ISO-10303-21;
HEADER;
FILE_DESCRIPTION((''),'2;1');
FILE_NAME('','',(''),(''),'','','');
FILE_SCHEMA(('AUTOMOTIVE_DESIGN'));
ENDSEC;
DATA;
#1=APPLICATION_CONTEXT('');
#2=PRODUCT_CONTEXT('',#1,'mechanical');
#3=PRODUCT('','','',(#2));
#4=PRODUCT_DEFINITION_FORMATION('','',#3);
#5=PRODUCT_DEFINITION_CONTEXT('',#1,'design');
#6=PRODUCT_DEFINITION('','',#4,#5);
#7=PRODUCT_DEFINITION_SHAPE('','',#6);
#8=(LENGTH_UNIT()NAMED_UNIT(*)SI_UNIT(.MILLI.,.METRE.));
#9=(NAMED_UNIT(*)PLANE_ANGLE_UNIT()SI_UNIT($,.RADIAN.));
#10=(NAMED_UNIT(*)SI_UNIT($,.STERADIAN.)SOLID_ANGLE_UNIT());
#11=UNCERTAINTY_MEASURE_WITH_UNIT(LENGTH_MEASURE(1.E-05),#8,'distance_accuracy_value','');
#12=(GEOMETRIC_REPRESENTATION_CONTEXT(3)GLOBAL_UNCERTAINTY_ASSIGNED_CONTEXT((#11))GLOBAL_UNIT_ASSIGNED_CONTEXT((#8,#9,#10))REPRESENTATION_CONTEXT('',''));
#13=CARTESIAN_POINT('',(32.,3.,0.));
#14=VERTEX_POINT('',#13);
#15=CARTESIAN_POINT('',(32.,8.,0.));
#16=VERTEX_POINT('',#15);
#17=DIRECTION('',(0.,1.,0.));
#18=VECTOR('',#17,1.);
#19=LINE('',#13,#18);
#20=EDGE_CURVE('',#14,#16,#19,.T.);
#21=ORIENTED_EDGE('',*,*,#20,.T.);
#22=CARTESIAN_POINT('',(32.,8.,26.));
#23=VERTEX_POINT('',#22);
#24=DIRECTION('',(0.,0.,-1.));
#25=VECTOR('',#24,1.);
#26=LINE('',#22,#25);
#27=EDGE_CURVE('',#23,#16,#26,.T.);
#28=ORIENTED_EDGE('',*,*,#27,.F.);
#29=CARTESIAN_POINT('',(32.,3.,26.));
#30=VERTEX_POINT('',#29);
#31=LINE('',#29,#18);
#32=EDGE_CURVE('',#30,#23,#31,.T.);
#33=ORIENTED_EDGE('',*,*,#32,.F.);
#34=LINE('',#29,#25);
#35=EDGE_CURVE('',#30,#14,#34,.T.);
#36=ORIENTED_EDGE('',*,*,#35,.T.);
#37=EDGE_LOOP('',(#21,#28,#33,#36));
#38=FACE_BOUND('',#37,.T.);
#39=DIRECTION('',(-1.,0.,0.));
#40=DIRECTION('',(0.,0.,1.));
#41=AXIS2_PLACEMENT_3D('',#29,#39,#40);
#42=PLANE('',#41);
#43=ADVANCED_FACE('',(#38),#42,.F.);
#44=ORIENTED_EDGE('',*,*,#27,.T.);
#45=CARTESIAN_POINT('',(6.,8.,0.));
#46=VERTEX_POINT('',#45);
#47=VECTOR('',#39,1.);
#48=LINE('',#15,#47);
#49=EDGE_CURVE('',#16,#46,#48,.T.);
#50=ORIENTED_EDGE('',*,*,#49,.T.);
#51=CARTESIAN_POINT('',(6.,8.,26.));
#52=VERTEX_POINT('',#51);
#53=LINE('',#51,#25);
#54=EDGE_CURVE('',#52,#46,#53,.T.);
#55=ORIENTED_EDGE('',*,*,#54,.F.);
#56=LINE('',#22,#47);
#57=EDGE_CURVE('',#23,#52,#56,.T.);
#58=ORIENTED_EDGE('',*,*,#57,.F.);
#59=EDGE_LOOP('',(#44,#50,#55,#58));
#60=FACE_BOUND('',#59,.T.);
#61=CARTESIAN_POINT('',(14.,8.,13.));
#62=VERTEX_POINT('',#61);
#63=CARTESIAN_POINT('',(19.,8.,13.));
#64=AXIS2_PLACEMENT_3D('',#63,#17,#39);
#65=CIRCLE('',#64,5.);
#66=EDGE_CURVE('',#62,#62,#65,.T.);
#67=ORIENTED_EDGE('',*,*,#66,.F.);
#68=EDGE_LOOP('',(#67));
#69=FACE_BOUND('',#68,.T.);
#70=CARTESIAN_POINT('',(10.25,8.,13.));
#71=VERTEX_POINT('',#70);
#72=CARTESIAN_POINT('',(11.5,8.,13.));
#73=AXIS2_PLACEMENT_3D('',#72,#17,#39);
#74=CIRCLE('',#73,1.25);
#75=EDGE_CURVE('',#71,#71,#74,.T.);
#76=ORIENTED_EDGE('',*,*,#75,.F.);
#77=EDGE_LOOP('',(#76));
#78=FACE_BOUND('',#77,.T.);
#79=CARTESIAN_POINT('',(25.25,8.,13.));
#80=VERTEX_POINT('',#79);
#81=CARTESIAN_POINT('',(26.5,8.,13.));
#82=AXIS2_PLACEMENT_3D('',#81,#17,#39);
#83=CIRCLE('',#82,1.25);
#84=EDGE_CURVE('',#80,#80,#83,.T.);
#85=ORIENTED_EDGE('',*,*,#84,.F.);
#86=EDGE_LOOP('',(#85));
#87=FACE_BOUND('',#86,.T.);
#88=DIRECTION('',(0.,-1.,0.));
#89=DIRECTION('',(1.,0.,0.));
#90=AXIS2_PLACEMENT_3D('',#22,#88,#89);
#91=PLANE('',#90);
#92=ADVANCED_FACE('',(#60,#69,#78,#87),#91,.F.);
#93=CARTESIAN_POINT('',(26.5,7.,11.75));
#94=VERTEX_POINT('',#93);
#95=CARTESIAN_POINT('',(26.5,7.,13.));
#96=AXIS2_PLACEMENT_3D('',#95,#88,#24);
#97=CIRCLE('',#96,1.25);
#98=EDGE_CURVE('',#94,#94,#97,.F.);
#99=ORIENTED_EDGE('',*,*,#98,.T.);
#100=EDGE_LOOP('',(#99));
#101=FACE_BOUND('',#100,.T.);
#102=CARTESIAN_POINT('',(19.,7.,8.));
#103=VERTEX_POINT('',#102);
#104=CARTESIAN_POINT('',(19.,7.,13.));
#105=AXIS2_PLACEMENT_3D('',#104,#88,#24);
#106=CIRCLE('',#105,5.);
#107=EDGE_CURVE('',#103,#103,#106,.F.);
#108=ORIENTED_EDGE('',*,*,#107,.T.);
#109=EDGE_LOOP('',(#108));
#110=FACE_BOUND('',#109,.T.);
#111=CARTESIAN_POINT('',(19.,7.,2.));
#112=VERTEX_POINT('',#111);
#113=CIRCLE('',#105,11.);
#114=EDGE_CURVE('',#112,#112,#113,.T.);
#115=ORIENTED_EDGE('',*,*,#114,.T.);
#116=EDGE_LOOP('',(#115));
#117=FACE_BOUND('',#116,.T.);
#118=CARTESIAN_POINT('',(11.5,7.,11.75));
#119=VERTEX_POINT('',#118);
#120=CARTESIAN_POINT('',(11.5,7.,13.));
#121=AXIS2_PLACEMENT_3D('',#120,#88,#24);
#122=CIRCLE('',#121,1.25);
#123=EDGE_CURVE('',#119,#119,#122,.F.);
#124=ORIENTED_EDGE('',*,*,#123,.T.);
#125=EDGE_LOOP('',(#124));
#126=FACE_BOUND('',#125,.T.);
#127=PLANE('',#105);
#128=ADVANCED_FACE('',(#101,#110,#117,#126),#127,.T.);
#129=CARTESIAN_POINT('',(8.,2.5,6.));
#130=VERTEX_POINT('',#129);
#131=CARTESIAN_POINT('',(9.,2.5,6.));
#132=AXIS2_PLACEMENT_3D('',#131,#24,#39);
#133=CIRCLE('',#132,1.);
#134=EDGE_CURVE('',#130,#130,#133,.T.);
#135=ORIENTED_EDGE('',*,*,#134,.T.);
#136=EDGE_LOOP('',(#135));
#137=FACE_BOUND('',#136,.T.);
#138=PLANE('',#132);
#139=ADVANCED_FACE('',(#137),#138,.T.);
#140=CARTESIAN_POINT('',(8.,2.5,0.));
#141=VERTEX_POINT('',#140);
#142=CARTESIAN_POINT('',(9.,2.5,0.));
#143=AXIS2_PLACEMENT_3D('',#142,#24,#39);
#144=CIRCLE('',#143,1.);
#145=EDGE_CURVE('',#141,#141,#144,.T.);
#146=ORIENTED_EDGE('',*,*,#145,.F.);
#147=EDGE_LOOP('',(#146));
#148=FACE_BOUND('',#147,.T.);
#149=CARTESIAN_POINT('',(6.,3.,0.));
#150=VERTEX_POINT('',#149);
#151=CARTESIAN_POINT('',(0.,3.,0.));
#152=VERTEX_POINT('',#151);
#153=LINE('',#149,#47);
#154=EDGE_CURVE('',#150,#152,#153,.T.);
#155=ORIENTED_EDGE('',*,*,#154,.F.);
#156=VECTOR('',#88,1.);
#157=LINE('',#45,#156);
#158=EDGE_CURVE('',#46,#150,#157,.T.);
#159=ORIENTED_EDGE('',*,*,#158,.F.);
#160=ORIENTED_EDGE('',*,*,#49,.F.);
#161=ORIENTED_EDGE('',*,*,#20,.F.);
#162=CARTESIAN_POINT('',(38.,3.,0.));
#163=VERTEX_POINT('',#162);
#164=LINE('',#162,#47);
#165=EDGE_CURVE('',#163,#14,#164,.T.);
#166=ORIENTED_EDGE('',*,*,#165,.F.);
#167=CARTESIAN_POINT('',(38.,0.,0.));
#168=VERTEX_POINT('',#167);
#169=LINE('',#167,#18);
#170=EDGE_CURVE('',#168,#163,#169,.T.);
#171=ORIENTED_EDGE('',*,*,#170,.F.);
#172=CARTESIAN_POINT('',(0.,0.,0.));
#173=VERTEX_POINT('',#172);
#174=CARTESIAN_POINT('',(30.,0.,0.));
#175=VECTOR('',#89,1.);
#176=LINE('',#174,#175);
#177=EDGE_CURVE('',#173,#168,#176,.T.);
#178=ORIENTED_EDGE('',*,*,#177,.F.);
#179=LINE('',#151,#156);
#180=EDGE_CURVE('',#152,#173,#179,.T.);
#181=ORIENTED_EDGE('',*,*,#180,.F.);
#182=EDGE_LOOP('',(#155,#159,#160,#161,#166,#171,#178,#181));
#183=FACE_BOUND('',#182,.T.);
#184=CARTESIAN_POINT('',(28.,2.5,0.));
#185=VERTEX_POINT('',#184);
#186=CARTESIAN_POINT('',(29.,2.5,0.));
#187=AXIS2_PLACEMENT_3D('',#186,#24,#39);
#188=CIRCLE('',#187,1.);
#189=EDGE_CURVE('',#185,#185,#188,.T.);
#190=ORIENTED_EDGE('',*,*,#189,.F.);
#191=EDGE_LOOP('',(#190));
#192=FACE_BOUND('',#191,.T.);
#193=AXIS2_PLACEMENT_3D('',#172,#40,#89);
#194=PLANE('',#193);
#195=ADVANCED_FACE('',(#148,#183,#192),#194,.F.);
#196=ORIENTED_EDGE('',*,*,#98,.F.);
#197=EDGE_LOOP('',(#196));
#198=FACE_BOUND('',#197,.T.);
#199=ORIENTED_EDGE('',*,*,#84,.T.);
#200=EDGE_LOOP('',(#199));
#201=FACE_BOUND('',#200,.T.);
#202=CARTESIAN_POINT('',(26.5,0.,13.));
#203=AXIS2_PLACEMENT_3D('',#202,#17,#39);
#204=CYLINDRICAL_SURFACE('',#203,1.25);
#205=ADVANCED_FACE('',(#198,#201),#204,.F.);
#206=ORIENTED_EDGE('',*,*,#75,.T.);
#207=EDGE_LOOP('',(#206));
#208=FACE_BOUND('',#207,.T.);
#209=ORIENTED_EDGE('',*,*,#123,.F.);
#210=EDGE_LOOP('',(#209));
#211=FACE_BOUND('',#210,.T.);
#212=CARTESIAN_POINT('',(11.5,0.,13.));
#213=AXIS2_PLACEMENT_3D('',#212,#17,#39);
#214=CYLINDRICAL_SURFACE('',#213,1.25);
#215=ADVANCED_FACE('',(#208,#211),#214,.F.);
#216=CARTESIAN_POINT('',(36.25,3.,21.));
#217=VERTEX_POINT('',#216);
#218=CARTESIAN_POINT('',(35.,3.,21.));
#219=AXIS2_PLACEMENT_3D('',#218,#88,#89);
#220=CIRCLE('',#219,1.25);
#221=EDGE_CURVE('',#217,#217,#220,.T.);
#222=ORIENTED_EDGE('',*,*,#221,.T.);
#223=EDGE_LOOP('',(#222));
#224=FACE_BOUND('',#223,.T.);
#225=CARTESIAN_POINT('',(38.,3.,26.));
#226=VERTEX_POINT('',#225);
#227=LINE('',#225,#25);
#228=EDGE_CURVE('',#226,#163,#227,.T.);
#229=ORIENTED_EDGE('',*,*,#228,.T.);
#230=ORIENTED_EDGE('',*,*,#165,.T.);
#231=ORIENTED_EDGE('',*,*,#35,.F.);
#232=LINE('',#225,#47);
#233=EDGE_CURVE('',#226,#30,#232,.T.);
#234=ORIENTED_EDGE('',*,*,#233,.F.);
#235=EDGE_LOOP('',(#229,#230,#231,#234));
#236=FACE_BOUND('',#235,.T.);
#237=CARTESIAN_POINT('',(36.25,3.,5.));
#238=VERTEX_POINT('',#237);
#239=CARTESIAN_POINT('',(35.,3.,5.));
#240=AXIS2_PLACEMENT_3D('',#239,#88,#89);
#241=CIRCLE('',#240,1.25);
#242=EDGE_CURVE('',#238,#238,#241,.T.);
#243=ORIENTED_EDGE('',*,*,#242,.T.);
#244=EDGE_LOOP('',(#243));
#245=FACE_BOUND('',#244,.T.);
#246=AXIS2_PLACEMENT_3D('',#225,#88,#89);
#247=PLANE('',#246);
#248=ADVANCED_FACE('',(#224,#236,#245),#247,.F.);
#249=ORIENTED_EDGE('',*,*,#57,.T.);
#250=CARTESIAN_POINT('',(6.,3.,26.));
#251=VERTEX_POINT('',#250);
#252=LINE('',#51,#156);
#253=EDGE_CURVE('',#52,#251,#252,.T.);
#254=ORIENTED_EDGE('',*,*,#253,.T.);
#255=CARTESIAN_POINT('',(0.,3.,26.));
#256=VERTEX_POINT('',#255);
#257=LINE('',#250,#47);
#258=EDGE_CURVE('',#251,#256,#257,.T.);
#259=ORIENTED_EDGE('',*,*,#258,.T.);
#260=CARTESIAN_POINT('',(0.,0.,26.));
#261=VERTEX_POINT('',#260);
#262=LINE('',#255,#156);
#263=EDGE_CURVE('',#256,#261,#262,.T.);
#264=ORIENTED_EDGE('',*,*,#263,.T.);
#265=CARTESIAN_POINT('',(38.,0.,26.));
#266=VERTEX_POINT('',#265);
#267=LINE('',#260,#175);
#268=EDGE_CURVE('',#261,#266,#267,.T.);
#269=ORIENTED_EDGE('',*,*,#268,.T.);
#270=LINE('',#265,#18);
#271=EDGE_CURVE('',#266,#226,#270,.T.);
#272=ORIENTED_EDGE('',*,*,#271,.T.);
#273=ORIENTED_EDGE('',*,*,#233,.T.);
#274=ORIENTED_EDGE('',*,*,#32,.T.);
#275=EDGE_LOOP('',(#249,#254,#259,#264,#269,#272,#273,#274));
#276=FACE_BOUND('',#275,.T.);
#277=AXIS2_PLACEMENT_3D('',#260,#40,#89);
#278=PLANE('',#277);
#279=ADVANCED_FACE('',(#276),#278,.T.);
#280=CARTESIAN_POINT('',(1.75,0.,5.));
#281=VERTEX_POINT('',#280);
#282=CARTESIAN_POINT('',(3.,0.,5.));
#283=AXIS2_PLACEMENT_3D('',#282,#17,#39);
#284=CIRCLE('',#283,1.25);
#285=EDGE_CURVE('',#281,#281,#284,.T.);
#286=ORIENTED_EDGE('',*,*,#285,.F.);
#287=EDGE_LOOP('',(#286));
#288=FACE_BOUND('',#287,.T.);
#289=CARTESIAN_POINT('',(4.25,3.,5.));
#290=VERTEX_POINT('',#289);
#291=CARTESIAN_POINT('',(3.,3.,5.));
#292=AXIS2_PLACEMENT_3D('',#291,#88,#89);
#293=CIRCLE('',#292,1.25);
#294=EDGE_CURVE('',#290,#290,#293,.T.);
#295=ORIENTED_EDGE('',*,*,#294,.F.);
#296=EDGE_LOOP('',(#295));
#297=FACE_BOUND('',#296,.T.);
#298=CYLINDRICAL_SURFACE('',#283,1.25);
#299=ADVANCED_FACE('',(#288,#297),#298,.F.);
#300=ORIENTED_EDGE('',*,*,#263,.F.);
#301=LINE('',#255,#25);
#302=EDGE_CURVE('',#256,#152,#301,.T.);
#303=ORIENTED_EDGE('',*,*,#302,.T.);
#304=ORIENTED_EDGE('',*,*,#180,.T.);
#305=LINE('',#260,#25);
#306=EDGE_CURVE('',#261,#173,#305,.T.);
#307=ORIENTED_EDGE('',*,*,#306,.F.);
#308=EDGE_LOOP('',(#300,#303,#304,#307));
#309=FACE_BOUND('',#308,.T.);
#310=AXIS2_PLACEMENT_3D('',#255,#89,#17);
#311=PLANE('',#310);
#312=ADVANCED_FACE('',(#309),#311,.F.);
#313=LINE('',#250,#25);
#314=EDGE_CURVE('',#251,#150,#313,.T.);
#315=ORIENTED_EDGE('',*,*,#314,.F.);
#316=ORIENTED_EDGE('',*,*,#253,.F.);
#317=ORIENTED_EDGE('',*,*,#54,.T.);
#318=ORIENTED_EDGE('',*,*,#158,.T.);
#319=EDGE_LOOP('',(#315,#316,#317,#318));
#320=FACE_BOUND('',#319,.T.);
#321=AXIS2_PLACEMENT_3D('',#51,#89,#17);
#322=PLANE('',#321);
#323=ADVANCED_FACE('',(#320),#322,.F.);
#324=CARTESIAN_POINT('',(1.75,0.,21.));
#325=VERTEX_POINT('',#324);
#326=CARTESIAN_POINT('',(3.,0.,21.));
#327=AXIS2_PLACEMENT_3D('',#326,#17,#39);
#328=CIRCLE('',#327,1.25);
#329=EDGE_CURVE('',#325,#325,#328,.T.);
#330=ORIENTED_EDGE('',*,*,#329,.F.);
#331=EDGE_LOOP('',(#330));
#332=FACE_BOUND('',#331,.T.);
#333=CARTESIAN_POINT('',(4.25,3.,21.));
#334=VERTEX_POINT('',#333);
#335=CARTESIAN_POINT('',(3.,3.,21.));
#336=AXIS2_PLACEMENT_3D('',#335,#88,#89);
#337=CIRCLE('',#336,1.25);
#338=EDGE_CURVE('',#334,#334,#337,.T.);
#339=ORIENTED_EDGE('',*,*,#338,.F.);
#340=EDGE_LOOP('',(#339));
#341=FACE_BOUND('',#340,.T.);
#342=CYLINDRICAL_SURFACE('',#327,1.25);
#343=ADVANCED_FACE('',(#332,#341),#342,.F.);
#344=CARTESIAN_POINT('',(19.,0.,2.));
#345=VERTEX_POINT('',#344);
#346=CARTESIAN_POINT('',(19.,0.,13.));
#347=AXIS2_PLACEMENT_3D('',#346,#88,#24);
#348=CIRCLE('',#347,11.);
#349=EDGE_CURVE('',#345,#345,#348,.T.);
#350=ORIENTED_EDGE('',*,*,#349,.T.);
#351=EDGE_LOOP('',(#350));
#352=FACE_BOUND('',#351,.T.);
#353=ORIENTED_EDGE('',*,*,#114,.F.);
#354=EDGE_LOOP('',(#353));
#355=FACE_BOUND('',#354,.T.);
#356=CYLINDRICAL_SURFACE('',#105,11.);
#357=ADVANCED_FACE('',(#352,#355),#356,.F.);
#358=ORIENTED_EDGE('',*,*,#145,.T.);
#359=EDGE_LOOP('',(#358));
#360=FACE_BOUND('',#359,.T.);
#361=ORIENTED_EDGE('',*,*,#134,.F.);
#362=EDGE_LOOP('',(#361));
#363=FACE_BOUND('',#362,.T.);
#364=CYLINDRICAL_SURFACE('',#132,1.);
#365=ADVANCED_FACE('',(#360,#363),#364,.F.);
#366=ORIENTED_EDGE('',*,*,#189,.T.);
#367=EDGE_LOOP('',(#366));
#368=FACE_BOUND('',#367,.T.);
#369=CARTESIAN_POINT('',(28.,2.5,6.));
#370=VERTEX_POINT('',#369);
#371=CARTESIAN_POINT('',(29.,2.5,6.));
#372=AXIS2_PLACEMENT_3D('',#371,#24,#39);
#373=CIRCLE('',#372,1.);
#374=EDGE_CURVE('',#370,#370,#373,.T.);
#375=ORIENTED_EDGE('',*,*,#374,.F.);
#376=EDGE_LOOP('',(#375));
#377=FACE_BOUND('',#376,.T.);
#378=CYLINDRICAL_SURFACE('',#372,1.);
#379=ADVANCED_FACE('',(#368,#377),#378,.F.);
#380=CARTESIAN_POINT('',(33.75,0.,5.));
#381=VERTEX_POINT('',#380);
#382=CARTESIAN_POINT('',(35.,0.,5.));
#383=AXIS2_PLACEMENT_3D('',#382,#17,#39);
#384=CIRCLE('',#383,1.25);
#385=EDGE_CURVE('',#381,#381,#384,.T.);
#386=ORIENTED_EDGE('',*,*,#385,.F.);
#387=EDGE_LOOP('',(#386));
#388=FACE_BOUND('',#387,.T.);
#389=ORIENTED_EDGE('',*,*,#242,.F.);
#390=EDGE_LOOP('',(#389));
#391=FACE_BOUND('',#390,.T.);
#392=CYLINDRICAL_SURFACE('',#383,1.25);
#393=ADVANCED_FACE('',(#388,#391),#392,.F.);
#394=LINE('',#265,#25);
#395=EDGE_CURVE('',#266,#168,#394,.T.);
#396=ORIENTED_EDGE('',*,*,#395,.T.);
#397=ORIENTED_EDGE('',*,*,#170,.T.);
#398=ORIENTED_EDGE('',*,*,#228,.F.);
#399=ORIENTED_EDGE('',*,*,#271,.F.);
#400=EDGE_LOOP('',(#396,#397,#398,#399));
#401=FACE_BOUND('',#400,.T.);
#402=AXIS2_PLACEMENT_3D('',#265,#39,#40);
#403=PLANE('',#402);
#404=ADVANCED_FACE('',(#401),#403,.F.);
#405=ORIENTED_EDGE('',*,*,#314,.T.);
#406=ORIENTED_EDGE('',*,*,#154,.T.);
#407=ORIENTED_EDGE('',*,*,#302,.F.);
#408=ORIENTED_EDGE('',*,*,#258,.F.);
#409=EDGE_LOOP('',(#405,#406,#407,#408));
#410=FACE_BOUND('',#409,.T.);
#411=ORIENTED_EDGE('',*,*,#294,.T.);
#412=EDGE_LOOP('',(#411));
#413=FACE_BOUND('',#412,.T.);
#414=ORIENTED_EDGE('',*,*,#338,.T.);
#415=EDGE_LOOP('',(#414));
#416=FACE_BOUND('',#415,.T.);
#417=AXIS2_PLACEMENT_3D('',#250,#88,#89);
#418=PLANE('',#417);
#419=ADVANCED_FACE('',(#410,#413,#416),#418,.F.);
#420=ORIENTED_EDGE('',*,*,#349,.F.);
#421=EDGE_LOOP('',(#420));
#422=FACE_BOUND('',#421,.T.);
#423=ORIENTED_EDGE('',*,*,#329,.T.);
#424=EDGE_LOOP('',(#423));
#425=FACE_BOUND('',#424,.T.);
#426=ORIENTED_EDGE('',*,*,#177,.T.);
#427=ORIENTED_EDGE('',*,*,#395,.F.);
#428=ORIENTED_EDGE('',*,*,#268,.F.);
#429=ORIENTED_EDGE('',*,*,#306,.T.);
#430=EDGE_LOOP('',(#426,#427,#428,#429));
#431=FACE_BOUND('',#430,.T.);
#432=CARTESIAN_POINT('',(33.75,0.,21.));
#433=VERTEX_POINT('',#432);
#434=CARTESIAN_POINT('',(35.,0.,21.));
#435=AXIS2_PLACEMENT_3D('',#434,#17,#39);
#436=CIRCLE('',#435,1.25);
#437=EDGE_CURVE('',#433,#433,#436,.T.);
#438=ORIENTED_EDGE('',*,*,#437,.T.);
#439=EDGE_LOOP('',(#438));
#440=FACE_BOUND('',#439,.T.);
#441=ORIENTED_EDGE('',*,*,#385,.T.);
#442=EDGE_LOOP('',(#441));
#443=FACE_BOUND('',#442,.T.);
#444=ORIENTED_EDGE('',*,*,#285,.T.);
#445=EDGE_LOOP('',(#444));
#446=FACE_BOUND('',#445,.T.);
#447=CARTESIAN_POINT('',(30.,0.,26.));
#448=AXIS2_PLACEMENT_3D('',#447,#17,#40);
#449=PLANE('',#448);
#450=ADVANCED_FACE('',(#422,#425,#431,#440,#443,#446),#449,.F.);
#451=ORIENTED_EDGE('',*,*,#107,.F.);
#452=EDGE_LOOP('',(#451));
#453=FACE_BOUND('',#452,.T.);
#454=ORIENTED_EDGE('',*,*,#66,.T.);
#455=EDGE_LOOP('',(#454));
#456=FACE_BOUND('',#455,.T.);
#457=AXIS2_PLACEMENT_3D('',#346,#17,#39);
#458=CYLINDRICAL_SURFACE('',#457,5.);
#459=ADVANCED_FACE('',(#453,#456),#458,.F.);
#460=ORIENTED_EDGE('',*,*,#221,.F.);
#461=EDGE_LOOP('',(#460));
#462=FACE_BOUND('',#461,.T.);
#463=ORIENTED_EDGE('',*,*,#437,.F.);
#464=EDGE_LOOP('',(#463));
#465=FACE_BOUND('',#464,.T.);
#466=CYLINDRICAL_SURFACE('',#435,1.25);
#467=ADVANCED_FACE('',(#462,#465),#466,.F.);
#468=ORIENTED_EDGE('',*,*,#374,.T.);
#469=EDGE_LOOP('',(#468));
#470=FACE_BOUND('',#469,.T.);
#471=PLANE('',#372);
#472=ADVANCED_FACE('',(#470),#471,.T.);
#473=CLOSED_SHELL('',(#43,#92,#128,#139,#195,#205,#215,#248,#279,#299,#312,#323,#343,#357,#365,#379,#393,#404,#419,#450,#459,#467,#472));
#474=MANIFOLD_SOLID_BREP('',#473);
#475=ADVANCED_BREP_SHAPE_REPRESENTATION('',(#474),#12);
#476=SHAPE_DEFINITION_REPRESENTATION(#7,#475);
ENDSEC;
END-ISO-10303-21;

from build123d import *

# Parameters (mm, degrees)
BOSS_EXTRUDE1_DEPTH = 26
SKETCH2_R           = 5
SKETCH2_R_2         = 1.25
CUT_EXTRUDE1_DEPTH  = 47.733285782
SKETCH3_R           = 11
CUT_EXTRUDE2_DEPTH  = 7
SKETCH5_R           = 1
CUT_EXTRUDE7_DEPTH  = 6


with BuildPart() as part:
    # Sketch1 → Boss-Extrude1 (new body)
    with BuildSketch(Plane.XY):
        Polygon((0, 0), (8, 0), (30, 0), (38, 0), (38, 3), (32, 3), (32, 8), (6, 8), (6, 3), (0, 3), align=None)
    extrude(amount=BOSS_EXTRUDE1_DEPTH)

    # Sketch2 → Cut-Extrude1 (cut, through all)
    with BuildSketch(Plane(origin=(0, 8, 0), x_dir=(1, 0, 0), z_dir=(0, 1, 0))):
        with Locations(Location((19, -13, 0), (0, 0, 180))):
            Circle(SKETCH2_R)
        with Locations(Location((11.5, -13, 0), (0, 0, 180))):
            Circle(SKETCH2_R_2)
        with Locations(Location((26.5, -13, 0), (0, 0, 180))):
            Circle(SKETCH2_R_2)
        with Locations(Location((3, -21, 0), (0, 0, 180))):
            Circle(SKETCH2_R_2)
        with Locations(Location((3, -5, 0), (0, 0, 180))):
            Circle(SKETCH2_R_2)
        with Locations(Location((35, -21, 0), (0, 0, 180))):
            Circle(SKETCH2_R_2)
        with Locations(Location((35, -5, 0), (0, 0, 180))):
            Circle(SKETCH2_R_2)
    extrude(amount=-CUT_EXTRUDE1_DEPTH, mode=Mode.SUBTRACT)

    # Sketch3 → Cut-Extrude2 (cut)
    with BuildSketch(Plane.XZ):
        with Locations(Location((19, 13, 0), (0, 0, 270))):
            Circle(SKETCH3_R)
    extrude(amount=-CUT_EXTRUDE2_DEPTH, mode=Mode.SUBTRACT)

    # Sketch5 → Cut-Extrude7 (cut)
    with BuildSketch(Plane(origin=(0, 0, 0), x_dir=(-1, 0, 0), z_dir=(0, 0, -1))):
        with Locations((-29, 2.5)):
            Circle(SKETCH5_R)
        with Locations((-9, 2.5)):
            Circle(SKETCH5_R)
    extrude(amount=-CUT_EXTRUDE7_DEPTH, mode=Mode.SUBTRACT)


solid = part.part
